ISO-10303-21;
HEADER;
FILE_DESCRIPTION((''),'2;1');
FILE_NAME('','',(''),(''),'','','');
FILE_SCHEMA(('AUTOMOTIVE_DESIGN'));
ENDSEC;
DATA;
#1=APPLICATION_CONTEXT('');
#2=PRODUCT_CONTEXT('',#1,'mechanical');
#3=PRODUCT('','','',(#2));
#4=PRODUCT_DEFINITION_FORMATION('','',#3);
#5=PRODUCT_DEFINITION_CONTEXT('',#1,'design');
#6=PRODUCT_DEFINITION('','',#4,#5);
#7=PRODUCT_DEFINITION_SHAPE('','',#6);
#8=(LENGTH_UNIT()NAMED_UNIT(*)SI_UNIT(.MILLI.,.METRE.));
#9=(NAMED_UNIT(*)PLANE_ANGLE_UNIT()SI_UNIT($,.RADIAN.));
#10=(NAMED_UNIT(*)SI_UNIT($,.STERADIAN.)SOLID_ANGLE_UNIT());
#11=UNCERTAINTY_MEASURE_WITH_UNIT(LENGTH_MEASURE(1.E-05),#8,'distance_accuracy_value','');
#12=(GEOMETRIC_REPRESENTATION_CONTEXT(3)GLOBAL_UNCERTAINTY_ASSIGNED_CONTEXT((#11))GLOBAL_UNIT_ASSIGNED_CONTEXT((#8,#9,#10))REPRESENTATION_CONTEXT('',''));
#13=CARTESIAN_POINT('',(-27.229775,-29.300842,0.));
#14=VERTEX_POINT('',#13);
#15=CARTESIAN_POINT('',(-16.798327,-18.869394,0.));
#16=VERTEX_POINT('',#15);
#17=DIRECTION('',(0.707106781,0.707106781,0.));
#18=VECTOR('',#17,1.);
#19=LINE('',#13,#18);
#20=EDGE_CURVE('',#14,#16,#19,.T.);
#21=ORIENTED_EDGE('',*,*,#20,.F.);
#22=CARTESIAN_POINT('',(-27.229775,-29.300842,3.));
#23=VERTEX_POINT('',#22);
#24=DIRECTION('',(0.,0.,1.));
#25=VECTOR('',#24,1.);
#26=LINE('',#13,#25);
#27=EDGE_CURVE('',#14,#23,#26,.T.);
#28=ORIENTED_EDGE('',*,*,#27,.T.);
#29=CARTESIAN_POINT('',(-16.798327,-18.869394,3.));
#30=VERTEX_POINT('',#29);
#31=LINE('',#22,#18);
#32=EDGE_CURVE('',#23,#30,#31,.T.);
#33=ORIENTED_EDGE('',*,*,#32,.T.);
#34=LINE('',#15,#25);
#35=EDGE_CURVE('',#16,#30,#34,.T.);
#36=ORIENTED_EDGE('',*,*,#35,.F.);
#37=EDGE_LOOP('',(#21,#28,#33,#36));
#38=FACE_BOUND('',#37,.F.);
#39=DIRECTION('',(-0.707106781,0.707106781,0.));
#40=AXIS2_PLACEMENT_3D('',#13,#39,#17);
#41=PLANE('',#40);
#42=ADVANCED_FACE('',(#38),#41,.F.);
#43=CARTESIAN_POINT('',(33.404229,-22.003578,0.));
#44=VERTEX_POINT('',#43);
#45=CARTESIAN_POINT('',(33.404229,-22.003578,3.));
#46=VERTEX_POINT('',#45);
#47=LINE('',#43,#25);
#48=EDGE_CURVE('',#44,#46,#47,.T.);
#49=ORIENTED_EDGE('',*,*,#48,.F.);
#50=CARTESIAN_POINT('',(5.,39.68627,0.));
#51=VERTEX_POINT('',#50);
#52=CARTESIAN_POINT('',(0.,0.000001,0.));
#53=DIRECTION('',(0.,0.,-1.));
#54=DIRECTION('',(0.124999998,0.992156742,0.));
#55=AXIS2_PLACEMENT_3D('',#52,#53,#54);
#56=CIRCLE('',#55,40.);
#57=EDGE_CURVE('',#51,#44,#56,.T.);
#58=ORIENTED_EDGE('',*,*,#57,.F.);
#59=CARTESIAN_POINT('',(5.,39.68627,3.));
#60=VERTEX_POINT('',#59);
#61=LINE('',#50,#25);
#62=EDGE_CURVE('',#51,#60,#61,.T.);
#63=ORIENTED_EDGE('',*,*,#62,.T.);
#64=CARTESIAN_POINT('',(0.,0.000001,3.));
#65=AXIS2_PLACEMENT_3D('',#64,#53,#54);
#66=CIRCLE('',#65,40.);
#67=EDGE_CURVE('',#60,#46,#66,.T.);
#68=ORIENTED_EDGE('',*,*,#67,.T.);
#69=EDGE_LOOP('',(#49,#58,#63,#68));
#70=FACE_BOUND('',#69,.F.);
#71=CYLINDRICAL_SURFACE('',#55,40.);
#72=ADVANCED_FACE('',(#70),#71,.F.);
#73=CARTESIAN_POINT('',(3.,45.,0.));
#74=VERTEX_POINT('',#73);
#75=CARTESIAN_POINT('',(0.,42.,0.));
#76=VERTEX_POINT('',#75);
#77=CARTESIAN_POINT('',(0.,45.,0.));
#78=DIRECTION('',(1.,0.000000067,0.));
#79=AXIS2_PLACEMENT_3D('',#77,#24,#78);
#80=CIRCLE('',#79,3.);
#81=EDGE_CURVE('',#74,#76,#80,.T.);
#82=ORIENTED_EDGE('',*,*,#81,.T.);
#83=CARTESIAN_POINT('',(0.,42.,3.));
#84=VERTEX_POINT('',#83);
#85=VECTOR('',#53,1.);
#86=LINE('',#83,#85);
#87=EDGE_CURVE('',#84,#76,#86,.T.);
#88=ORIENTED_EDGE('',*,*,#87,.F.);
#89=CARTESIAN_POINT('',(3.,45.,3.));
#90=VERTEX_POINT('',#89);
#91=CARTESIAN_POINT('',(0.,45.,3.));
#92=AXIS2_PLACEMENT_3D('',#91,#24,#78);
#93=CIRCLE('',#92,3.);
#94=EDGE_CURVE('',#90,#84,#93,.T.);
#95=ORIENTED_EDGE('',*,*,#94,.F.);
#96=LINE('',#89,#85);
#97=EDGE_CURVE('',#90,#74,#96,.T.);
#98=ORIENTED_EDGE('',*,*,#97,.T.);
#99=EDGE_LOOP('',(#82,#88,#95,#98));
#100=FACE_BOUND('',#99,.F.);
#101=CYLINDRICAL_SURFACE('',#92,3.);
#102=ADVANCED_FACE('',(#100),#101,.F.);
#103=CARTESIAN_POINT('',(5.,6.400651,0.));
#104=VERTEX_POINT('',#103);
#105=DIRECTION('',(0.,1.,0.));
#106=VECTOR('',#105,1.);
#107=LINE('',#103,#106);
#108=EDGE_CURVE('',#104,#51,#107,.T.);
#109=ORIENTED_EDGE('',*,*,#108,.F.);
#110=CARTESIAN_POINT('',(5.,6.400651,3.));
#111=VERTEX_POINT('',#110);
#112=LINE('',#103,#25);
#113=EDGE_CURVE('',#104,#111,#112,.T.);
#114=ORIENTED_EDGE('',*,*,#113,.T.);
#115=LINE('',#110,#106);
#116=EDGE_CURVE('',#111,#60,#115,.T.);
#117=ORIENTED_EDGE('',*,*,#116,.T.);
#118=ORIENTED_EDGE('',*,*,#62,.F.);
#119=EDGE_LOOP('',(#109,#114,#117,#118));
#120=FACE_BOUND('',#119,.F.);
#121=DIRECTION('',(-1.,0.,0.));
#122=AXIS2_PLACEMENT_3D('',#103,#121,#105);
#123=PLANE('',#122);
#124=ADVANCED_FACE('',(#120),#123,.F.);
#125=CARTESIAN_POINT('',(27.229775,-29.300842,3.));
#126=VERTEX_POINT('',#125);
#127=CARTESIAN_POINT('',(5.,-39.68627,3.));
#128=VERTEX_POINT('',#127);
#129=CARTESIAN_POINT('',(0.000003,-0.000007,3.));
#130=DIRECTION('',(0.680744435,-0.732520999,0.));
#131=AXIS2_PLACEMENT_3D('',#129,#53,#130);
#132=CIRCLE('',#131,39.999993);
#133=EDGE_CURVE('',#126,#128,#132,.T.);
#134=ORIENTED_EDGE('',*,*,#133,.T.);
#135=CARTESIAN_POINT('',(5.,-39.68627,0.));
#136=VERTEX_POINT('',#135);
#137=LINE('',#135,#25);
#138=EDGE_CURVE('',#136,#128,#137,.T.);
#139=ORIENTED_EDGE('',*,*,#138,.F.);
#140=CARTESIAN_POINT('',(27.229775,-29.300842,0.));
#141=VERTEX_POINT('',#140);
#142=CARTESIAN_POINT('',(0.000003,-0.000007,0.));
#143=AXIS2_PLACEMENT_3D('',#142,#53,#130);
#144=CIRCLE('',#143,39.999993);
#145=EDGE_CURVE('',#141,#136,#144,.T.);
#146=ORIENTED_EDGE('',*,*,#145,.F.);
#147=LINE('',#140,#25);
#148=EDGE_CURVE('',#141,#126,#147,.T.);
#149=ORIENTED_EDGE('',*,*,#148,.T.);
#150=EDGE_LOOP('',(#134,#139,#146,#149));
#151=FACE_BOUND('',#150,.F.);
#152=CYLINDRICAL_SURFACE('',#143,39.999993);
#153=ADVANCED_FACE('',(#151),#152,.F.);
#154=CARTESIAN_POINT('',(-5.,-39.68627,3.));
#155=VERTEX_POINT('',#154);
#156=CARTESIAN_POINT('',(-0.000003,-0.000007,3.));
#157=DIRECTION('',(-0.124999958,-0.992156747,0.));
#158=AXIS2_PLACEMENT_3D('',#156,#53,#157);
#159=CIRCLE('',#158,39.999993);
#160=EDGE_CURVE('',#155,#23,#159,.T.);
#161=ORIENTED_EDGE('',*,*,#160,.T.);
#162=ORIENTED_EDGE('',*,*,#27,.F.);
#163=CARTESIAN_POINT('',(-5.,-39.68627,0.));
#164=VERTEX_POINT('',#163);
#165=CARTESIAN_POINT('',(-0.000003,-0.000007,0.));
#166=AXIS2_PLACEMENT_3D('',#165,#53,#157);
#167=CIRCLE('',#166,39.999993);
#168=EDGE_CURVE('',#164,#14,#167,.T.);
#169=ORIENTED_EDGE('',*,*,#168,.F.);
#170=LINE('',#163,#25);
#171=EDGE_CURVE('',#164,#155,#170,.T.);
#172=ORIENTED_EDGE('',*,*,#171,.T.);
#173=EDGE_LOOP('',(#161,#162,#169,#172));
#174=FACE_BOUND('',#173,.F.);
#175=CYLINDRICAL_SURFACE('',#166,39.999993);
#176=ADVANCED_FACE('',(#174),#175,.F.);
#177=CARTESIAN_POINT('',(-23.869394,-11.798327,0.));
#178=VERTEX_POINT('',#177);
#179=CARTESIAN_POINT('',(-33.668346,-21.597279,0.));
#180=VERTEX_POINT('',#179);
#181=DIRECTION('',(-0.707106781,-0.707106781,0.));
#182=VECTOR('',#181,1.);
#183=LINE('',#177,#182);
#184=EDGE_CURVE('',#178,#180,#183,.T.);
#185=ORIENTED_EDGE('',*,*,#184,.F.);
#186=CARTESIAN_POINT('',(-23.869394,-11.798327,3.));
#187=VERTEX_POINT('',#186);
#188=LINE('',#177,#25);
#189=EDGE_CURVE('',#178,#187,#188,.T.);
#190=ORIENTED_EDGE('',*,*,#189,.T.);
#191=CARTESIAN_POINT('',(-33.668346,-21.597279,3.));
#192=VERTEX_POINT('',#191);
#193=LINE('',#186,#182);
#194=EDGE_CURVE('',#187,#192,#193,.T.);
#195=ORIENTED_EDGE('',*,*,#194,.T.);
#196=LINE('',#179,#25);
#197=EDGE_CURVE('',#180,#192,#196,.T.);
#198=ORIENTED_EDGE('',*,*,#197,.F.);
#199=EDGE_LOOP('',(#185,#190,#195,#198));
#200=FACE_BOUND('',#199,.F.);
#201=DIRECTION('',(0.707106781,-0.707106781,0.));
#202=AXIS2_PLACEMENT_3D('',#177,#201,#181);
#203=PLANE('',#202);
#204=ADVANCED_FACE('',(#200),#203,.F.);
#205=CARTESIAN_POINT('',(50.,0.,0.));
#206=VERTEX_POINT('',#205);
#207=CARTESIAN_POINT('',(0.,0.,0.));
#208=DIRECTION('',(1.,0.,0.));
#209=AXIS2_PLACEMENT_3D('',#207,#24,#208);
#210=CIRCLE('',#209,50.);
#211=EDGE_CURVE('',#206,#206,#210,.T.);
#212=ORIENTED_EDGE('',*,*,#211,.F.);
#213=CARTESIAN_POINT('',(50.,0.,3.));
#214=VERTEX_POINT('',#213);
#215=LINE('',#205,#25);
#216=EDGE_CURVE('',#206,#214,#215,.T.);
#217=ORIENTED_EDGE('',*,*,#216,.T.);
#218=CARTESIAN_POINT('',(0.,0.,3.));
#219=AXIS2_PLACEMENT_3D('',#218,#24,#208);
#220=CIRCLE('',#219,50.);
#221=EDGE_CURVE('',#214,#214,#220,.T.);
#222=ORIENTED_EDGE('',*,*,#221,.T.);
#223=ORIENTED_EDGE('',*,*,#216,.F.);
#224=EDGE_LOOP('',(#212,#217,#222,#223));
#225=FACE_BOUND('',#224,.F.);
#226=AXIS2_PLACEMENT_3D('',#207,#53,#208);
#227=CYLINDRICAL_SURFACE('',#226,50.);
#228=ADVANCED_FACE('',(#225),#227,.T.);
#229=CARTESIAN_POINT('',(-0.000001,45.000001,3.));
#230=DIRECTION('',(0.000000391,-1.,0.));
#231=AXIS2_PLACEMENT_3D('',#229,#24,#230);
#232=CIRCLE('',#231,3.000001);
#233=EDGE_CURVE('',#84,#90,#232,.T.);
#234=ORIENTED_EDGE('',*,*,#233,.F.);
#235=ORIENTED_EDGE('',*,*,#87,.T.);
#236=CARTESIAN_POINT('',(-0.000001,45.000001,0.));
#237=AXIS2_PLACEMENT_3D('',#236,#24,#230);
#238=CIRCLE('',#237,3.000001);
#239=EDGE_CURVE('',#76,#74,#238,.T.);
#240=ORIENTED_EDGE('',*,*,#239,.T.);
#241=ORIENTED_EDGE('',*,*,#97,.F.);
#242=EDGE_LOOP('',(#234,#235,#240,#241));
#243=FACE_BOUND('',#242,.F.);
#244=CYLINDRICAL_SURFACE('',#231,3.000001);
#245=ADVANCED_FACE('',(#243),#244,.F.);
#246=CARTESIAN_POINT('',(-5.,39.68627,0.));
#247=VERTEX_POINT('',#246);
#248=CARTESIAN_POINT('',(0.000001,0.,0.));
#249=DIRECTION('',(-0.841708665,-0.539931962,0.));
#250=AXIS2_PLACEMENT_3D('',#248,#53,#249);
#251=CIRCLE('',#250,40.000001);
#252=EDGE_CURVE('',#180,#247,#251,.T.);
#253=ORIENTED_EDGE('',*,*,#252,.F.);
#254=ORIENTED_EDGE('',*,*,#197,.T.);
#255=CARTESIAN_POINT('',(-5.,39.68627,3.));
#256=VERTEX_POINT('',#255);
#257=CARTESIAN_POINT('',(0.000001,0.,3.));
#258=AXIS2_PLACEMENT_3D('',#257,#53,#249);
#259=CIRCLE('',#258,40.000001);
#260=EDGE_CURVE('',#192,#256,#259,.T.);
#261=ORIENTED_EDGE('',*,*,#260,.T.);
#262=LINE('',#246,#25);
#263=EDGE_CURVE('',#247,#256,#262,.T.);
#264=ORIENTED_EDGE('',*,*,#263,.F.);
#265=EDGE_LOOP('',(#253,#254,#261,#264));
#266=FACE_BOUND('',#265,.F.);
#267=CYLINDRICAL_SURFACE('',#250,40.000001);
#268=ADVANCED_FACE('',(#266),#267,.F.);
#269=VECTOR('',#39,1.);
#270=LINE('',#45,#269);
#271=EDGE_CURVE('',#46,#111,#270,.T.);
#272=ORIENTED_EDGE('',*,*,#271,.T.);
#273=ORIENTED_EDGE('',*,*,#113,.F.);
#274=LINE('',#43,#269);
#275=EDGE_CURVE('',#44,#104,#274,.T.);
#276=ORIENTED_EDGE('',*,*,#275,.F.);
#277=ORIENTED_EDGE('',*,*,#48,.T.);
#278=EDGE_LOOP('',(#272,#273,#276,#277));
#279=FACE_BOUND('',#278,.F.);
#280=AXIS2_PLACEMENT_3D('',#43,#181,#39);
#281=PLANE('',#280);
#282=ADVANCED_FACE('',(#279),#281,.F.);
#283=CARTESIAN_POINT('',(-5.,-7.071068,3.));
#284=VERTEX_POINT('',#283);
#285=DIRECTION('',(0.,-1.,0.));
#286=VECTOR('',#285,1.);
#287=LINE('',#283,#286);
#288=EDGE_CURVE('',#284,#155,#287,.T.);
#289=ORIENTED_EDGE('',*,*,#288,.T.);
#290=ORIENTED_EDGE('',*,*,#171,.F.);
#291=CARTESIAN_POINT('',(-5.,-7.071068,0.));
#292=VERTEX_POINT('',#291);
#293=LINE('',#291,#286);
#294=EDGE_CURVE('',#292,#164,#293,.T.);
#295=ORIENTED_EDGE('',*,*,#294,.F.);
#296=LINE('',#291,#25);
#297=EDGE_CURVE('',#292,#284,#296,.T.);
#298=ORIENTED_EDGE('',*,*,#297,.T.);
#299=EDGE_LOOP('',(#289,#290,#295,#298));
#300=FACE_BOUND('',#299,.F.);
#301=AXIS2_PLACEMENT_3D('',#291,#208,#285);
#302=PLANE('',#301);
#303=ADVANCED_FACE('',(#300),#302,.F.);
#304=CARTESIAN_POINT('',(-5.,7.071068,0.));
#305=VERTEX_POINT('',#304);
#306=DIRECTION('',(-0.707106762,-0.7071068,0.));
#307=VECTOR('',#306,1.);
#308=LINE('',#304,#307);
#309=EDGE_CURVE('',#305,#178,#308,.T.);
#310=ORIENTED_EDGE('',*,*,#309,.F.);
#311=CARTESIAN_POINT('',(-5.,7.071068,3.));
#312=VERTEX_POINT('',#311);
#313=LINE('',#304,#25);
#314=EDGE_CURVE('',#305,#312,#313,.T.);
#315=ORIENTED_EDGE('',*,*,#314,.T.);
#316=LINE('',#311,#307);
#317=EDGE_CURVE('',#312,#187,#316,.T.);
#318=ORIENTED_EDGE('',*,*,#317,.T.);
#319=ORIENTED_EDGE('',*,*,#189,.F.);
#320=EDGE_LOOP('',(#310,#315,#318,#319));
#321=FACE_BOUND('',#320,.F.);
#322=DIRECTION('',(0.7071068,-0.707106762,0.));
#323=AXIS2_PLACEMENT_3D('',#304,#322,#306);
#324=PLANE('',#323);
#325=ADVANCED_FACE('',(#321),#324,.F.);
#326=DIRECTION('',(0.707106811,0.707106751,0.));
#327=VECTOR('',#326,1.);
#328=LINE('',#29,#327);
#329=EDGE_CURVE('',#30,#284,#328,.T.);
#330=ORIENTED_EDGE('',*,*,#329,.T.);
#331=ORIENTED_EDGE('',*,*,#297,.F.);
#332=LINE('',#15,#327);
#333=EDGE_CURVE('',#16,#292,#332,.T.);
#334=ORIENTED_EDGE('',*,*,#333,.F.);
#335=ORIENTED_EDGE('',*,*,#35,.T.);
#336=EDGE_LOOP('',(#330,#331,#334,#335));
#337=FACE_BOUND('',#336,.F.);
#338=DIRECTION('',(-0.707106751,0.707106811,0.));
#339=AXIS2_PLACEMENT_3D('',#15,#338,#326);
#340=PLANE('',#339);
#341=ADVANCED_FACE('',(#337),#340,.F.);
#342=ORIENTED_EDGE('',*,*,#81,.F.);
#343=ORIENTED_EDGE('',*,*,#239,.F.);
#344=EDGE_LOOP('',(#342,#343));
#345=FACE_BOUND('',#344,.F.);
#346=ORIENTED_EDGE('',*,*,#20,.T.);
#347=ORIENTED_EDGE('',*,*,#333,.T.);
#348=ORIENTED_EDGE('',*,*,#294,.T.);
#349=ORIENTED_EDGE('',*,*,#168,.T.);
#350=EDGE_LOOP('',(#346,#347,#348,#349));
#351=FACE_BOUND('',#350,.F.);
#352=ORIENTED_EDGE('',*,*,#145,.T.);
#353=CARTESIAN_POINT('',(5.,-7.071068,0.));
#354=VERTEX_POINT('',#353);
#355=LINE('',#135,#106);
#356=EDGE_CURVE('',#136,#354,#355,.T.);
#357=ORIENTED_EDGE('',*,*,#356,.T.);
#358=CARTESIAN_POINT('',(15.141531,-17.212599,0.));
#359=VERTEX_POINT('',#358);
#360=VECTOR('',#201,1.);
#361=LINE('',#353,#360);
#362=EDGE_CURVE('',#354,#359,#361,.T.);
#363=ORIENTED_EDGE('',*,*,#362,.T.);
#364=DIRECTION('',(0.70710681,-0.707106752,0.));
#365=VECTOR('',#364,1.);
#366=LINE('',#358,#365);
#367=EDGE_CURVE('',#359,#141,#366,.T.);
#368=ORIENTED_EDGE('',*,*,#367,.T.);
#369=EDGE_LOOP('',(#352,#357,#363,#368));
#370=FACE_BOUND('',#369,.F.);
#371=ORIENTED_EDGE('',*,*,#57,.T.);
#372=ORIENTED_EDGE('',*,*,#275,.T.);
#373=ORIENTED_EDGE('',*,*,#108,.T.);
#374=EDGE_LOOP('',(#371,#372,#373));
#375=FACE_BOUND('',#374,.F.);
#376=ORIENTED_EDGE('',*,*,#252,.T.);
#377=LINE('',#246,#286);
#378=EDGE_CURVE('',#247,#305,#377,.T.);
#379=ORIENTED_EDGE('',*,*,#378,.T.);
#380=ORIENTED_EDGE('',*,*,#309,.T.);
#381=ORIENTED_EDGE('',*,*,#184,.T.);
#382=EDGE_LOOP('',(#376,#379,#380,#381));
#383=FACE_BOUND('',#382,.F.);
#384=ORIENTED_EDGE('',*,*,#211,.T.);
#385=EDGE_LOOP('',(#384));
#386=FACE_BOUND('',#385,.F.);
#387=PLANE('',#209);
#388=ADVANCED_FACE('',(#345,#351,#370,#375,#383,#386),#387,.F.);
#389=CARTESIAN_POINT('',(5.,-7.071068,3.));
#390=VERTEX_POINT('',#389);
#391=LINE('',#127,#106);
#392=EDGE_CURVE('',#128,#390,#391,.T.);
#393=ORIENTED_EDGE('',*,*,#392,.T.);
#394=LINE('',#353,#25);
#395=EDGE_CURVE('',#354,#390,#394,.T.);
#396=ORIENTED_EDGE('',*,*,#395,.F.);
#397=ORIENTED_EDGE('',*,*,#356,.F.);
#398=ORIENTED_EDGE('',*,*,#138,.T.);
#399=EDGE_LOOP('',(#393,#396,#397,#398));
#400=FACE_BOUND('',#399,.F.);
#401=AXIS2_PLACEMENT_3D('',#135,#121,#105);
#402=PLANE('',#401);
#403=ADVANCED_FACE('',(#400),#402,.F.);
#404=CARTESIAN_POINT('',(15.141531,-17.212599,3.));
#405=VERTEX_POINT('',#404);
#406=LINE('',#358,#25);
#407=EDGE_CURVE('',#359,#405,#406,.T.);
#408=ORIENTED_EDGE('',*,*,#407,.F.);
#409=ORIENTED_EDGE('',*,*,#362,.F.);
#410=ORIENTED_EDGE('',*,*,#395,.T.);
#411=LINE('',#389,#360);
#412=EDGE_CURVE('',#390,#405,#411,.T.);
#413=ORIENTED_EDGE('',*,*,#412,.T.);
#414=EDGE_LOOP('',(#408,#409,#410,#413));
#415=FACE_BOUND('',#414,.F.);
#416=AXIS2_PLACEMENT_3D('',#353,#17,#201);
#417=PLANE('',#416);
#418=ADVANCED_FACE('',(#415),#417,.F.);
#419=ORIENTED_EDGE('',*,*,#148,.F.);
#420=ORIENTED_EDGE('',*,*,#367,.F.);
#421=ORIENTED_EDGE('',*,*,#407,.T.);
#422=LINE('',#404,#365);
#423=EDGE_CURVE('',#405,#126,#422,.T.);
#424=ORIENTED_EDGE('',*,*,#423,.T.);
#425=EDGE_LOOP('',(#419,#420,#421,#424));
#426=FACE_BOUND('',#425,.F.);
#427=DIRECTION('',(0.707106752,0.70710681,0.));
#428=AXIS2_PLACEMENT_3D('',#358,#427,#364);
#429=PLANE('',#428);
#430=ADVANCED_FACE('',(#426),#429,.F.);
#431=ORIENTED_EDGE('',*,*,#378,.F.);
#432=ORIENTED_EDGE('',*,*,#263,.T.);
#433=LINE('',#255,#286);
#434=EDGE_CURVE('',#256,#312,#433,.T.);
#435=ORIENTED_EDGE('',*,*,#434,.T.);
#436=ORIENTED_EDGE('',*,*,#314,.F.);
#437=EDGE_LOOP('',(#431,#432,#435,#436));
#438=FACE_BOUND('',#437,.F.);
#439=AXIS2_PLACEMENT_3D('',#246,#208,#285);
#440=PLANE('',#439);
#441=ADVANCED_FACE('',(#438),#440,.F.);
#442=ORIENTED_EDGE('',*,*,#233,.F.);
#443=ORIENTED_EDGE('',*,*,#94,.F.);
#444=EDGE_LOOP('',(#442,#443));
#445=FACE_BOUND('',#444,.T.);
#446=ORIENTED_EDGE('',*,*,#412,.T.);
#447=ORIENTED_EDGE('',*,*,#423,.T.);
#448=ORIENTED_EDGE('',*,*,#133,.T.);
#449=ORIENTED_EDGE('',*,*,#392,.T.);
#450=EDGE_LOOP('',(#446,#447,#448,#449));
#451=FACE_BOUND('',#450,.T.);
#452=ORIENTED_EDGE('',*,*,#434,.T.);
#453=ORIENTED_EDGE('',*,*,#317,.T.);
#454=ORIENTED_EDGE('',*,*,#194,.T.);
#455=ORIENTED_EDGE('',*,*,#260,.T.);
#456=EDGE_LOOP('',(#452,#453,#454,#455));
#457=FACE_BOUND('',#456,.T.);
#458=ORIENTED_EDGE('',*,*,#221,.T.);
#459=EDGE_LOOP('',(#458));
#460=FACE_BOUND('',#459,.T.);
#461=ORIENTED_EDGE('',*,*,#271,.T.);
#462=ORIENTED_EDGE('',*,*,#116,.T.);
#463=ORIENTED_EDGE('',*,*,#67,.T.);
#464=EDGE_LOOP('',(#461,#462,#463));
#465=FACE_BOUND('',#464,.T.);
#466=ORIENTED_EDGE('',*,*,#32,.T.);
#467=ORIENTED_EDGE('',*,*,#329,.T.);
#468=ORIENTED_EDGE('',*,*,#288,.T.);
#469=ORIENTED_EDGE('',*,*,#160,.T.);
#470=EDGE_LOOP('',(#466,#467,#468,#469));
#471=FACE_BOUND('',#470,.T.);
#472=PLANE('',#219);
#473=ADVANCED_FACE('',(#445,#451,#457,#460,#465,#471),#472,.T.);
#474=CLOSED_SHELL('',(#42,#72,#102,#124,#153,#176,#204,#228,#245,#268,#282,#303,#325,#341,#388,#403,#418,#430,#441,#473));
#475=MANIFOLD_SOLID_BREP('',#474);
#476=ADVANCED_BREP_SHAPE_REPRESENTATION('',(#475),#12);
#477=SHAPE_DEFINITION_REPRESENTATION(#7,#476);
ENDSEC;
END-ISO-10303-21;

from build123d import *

# Parameters (mm, degrees)
F0_R     = 50
F1_DEPTH = 3
F2_DEPTH = 3
F4_DEPTH = 25


with BuildPart() as f1:
    # F0 (on Top) → F1 (new body)
    with BuildSketch(Plane.XY):
        Circle(F0_R)
        with BuildLine():
            Line((-16.798327, -18.869394), (-5, -7.071068))
            Line((-5, -7.071068), (-5, -39.68627))
            ThreePointArc((-5, -39.68627), (-16.930856, -36.240118), (-27.229775, -29.300842))
            Line((-27.229775, -29.300842), (-16.798327, -18.869394))
        make_face(mode=Mode.SUBTRACT)
        with BuildLine():
            Line((5, -39.68627), (5, -7.071068))
            Line((5, -7.071068), (15.141531, -17.212599))
            Line((15.141531, -17.212599), (27.229775, -29.300842))
            ThreePointArc((27.229775, -29.300842), (16.930856, -36.240118), (5, -39.68627))
        make_face(mode=Mode.SUBTRACT)
        with BuildLine():
            ThreePointArc((-33.668346, -21.597279), (-36.231596, 16.949083), (-5, 39.68627))
            Line((-5, 39.68627), (-5, 7.071068))
            Line((-5, 7.071068), (-23.869394, -11.798327))
            Line((-23.869394, -11.798327), (-33.668346, -21.597279))
        make_face(mode=Mode.SUBTRACT)
        with BuildLine():
            Line((11.400651, 0), (5, 6.400651))
            Line((5, 6.400651), (5, 39.68627))
            ThreePointArc((5, 39.68627), (36.333601, 16.729299), (33.404229, -22.003578))
            Line((33.404229, -22.003578), (21.87739, -10.476739))
            Line((21.87739, -10.476739), (11.400651, 0))
        make_face(mode=Mode.SUBTRACT)
    extrude(amount=F1_DEPTH)

    # F0 (on Top) → F2 (join)
    with BuildSketch(Plane.XY):
        Circle(F0_R)
        with BuildLine():
            Line((-16.798327, -18.869394), (-5, -7.071068))
            Line((-5, -7.071068), (-5, -39.68627))
            ThreePointArc((-5, -39.68627), (-16.930856, -36.240118), (-27.229775, -29.300842))
            Line((-27.229775, -29.300842), (-16.798327, -18.869394))
        make_face(mode=Mode.SUBTRACT)
        with BuildLine():
            Line((5, -39.68627), (5, -7.071068))
            Line((5, -7.071068), (15.141531, -17.212599))
            Line((15.141531, -17.212599), (27.229775, -29.300842))
            ThreePointArc((27.229775, -29.300842), (16.930856, -36.240118), (5, -39.68627))
        make_face(mode=Mode.SUBTRACT)
        with BuildLine():
            ThreePointArc((-33.668346, -21.597279), (-36.231596, 16.949083), (-5, 39.68627))
            Line((-5, 39.68627), (-5, 7.071068))
            Line((-5, 7.071068), (-23.869394, -11.798327))
            Line((-23.869394, -11.798327), (-33.668346, -21.597279))
        make_face(mode=Mode.SUBTRACT)
        with BuildLine():
            Line((11.400651, 0), (5, 6.400651))
            Line((5, 6.400651), (5, 39.68627))
            ThreePointArc((5, 39.68627), (36.333601, 16.729299), (33.404229, -22.003578))
            Line((33.404229, -22.003578), (21.87739, -10.476739))
            Line((21.87739, -10.476739), (11.400651, 0))
        make_face(mode=Mode.SUBTRACT)
    extrude(amount=F2_DEPTH)

    # F3 (on face) → F4 (cut)
    with BuildSketch(Plane.XY.offset(3)):
        with BuildLine():
            ThreePointArc((0, 42), (2.12132, 42.87868), (3, 45))
            ThreePointArc((3, 45), (-2.12132, 47.12132), (0, 42))
        make_face()
    extrude(amount=-F4_DEPTH, mode=Mode.SUBTRACT)


solid = f1.part
